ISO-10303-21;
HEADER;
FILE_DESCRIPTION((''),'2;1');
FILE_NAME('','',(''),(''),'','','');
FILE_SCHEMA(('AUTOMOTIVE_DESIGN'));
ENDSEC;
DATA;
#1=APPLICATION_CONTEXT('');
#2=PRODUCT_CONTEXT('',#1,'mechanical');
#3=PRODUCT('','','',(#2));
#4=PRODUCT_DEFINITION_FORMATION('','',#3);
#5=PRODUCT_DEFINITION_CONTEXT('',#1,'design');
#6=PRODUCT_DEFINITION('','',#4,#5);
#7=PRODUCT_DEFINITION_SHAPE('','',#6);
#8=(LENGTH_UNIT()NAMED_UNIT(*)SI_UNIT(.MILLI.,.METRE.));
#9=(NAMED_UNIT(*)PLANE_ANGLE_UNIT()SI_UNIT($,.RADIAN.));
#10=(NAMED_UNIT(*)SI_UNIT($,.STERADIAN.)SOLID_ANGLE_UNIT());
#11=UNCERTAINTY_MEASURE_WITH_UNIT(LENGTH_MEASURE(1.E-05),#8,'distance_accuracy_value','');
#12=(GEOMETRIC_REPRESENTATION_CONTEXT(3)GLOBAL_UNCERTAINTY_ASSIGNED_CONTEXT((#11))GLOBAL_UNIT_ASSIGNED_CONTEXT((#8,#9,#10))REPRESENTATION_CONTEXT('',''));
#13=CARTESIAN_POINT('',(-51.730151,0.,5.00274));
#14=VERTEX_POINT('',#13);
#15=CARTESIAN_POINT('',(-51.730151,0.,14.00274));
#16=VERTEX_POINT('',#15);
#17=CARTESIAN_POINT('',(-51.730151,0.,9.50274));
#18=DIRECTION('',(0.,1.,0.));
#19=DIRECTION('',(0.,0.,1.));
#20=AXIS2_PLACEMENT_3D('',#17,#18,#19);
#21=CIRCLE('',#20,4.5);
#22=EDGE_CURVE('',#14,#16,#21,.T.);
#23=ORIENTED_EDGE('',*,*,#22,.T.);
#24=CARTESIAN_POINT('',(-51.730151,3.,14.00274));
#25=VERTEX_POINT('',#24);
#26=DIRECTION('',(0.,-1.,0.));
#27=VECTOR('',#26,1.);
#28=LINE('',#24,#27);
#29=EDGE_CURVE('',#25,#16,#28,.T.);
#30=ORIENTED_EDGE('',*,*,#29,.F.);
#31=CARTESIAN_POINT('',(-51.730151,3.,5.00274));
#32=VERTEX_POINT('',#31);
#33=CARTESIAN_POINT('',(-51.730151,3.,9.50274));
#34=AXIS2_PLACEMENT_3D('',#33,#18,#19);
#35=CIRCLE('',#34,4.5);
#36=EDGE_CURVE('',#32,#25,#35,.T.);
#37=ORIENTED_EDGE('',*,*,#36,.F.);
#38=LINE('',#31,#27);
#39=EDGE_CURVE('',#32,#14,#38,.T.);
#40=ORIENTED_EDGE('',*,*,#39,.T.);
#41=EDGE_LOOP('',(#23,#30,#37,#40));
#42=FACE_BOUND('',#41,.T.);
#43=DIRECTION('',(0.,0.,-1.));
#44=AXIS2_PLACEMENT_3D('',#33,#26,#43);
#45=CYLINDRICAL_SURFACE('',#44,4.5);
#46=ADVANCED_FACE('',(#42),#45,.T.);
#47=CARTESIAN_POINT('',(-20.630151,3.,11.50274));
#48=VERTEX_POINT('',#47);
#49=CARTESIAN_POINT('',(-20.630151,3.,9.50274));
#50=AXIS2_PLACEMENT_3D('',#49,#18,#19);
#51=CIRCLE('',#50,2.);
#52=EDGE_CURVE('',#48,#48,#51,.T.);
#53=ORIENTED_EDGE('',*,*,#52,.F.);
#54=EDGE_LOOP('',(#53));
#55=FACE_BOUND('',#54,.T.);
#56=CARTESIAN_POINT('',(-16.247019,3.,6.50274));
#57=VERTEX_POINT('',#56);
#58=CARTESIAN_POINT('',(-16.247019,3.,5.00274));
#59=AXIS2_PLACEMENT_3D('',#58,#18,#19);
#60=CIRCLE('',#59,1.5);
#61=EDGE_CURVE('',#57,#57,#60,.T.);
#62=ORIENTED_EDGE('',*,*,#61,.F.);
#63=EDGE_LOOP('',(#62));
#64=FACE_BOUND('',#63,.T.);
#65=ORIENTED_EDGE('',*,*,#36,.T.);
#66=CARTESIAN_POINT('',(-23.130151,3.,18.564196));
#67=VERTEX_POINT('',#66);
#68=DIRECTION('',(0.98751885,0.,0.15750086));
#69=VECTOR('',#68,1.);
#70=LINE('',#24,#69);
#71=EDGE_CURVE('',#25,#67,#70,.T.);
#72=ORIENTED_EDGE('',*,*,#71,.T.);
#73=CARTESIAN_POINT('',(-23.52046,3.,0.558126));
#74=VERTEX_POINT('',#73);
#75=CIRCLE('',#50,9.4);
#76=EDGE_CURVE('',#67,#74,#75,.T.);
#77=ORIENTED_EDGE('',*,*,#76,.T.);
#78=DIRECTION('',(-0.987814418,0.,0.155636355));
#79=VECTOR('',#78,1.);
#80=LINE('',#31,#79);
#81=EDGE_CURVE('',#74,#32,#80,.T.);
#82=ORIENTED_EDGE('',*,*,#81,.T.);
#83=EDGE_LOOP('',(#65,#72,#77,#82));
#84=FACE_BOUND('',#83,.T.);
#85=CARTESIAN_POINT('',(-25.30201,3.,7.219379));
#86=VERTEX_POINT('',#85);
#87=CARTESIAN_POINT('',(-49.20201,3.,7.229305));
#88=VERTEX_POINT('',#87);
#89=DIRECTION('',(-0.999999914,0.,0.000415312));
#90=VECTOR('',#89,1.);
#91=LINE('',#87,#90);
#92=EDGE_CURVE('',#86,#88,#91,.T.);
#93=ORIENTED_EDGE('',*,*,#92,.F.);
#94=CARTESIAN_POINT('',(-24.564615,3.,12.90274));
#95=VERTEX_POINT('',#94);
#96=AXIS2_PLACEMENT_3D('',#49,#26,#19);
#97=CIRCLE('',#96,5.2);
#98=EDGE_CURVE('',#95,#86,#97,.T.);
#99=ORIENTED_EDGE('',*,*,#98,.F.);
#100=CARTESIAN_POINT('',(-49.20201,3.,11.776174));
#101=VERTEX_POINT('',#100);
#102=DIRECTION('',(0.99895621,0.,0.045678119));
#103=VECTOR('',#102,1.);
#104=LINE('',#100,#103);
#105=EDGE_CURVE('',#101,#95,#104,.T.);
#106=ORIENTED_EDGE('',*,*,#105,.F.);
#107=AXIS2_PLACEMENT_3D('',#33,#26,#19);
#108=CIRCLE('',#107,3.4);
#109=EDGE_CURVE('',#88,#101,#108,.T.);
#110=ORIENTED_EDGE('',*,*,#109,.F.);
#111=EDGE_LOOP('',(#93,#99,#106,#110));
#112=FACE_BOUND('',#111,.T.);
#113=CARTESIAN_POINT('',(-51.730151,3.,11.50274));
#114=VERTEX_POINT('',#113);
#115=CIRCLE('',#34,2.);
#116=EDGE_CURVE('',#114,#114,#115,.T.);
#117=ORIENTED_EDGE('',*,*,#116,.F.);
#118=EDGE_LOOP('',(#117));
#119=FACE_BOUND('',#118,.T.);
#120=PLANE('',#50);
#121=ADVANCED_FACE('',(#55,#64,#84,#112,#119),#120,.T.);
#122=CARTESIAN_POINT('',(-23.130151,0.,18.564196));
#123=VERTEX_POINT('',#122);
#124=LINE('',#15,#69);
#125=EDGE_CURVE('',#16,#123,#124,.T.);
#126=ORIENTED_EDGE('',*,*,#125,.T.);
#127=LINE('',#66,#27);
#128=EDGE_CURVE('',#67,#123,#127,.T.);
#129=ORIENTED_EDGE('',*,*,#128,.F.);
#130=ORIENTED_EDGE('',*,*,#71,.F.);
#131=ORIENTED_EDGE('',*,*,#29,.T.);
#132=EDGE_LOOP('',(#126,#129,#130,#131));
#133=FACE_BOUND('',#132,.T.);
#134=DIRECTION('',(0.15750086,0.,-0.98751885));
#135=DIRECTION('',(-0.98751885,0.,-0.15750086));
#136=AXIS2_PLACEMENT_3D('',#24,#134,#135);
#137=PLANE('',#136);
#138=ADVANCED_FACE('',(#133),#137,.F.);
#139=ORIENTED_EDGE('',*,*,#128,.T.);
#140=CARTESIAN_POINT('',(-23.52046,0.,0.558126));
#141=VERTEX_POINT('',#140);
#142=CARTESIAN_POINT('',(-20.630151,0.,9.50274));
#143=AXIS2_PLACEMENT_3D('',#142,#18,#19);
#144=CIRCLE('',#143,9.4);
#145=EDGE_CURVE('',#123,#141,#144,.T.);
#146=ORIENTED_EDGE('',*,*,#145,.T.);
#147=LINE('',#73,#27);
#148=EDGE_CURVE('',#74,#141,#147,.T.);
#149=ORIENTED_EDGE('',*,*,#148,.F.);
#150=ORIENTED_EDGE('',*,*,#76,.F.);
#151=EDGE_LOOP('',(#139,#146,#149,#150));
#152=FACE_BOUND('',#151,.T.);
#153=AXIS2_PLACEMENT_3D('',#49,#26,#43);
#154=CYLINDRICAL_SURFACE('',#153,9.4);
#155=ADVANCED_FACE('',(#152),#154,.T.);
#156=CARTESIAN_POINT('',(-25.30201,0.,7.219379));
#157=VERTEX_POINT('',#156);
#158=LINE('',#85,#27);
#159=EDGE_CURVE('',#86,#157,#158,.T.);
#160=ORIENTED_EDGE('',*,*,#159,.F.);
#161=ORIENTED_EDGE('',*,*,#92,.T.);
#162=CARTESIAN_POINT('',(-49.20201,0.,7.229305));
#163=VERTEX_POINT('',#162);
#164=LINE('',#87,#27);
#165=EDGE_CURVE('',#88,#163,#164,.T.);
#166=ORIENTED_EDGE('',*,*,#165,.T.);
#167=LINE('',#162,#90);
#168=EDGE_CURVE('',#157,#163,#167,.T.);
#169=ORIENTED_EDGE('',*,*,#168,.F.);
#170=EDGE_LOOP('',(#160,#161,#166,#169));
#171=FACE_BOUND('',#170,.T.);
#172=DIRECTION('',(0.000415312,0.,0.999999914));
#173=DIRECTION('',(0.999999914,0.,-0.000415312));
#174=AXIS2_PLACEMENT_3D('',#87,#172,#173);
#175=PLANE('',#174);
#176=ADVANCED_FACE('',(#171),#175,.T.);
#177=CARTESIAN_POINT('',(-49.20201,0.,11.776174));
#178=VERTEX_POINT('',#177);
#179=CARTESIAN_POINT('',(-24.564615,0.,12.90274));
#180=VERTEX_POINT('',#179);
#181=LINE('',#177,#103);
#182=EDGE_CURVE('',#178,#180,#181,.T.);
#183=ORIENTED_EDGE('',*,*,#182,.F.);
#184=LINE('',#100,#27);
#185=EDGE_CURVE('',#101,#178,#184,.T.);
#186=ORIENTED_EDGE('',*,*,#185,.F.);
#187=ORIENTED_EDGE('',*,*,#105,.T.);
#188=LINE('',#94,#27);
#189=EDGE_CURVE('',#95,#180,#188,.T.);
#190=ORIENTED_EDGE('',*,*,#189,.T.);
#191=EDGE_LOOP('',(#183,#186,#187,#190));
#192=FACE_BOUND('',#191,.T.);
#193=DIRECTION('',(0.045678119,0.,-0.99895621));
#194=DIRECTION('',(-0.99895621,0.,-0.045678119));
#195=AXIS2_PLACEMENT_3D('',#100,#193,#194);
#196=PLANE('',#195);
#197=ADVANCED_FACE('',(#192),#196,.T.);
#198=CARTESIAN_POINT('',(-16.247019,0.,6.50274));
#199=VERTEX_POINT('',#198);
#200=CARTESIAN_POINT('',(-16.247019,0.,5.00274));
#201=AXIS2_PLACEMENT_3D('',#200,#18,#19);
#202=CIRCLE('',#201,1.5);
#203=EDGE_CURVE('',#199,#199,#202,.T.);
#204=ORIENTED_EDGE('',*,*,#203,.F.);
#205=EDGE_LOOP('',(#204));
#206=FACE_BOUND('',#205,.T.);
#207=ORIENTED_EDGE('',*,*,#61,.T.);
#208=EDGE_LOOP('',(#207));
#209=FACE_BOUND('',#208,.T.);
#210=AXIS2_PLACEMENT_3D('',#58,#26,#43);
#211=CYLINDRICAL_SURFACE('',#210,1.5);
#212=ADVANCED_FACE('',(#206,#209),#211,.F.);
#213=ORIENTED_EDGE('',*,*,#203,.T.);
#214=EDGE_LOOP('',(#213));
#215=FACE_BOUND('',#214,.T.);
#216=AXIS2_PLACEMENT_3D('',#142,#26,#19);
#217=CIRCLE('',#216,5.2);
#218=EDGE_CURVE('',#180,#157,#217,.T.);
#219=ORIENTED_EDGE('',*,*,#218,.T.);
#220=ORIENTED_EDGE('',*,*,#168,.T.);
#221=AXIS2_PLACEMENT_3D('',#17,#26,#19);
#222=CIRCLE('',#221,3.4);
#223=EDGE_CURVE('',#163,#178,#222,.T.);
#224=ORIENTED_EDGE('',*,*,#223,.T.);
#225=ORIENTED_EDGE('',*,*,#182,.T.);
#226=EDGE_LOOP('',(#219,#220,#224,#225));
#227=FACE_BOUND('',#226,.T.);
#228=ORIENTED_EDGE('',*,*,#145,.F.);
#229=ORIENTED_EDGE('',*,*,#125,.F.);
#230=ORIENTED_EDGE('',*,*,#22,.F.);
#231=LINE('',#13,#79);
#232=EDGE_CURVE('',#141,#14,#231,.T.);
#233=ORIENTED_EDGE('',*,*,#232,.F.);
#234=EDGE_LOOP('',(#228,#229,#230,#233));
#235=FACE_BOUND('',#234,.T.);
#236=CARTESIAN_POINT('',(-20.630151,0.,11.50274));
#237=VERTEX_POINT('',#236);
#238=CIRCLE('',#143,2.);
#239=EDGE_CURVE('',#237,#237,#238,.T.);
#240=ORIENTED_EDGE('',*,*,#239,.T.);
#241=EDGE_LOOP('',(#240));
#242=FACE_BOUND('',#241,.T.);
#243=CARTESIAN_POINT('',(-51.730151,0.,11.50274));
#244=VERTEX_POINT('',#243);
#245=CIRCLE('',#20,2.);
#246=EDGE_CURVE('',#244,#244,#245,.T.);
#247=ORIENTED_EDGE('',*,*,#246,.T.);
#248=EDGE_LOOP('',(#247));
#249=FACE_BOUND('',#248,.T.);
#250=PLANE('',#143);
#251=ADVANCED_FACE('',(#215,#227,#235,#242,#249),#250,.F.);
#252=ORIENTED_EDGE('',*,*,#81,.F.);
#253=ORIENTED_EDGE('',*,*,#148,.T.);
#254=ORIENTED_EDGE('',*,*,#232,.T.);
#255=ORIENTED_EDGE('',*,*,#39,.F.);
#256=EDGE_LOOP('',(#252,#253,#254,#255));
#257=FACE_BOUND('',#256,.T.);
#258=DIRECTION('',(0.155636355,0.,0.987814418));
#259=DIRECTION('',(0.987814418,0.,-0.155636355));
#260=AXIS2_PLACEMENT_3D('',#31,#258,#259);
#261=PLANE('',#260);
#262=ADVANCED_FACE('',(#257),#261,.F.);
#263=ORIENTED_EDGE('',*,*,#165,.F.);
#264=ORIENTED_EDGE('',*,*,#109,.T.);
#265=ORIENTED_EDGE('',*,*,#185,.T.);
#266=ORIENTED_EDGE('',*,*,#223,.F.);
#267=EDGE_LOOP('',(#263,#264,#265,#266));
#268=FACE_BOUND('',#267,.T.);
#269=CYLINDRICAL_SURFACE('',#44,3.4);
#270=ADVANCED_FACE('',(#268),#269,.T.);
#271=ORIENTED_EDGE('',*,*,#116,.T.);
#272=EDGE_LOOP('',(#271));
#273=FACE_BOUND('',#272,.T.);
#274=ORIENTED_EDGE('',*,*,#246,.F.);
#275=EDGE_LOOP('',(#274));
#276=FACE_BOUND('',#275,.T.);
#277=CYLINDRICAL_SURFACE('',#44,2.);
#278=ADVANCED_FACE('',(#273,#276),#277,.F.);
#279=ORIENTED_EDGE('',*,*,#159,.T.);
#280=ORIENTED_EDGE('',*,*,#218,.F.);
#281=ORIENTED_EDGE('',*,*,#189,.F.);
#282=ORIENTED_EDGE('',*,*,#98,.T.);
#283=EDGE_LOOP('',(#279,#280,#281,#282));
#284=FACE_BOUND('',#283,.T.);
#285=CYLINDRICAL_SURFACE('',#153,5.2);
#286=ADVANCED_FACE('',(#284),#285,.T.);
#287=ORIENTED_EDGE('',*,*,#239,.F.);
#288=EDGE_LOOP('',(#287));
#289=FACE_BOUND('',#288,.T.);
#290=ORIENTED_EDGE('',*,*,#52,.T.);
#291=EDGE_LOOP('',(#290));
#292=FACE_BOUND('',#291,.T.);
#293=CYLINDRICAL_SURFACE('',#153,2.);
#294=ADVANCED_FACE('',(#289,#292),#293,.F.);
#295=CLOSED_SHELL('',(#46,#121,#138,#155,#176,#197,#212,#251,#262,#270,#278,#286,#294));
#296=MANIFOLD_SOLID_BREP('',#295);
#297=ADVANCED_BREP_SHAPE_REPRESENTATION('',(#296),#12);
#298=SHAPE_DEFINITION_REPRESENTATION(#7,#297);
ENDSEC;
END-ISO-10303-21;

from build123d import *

# Parameters (mm, degrees)
SKETCH1_R           = 2
SKETCH1_R_2         = 1.5
BOSS_EXTRUDE1_DEPTH = 3


with BuildPart() as part:
    # Sketch1 → Boss-Extrude1 (new body)
    with BuildSketch(Plane(origin=(0, 0, 0), x_dir=(1, 0, 0), z_dir=(0, 1, 0))):
        with BuildLine():
            Line((-51.730151438, -5.002739553), (-23.52046035, -0.558125845))
            ThreePointArc((-23.52046035, -0.558125845), (-11.232359056, -9.299028138), (-23.130151438, -18.56419639))
            Line((-23.130151438, -18.56419639), (-51.730151438, -14.002739553))
            ThreePointArc((-51.730151438, -14.002739553), (-56.230151438, -9.502739553), (-51.730151438, -5.002739553))
        make_face()
        with Locations(Location((-20.630151438, -9.502739553, 0), (0, 0, 270))):
            Circle(SKETCH1_R, mode=Mode.SUBTRACT)
        with Locations(Location((-51.730151438, -9.502739553, 0), (0, 0, 270))):
            Circle(SKETCH1_R, mode=Mode.SUBTRACT)
        with Locations(Location((-16.247019321, -5.002739553, 0), (0, 0, 270))):
            Circle(SKETCH1_R_2, mode=Mode.SUBTRACT)
        with BuildLine():
            Line((-49.20201043, -7.229305358), (-25.30201043, -7.219379406))
            ThreePointArc((-25.30201043, -7.219379406), (-25.78692763, -10.171813025), (-24.564614553, -12.902739553))
            Line((-24.564614553, -12.902739553), (-49.20201043, -11.776173749))
            ThreePointArc((-49.20201043, -11.776173749), (-48.330151438, -9.502739553), (-49.20201043, -7.229305358))
        make_face(mode=Mode.SUBTRACT)
    extrude(amount=BOSS_EXTRUDE1_DEPTH)


solid = part.part
